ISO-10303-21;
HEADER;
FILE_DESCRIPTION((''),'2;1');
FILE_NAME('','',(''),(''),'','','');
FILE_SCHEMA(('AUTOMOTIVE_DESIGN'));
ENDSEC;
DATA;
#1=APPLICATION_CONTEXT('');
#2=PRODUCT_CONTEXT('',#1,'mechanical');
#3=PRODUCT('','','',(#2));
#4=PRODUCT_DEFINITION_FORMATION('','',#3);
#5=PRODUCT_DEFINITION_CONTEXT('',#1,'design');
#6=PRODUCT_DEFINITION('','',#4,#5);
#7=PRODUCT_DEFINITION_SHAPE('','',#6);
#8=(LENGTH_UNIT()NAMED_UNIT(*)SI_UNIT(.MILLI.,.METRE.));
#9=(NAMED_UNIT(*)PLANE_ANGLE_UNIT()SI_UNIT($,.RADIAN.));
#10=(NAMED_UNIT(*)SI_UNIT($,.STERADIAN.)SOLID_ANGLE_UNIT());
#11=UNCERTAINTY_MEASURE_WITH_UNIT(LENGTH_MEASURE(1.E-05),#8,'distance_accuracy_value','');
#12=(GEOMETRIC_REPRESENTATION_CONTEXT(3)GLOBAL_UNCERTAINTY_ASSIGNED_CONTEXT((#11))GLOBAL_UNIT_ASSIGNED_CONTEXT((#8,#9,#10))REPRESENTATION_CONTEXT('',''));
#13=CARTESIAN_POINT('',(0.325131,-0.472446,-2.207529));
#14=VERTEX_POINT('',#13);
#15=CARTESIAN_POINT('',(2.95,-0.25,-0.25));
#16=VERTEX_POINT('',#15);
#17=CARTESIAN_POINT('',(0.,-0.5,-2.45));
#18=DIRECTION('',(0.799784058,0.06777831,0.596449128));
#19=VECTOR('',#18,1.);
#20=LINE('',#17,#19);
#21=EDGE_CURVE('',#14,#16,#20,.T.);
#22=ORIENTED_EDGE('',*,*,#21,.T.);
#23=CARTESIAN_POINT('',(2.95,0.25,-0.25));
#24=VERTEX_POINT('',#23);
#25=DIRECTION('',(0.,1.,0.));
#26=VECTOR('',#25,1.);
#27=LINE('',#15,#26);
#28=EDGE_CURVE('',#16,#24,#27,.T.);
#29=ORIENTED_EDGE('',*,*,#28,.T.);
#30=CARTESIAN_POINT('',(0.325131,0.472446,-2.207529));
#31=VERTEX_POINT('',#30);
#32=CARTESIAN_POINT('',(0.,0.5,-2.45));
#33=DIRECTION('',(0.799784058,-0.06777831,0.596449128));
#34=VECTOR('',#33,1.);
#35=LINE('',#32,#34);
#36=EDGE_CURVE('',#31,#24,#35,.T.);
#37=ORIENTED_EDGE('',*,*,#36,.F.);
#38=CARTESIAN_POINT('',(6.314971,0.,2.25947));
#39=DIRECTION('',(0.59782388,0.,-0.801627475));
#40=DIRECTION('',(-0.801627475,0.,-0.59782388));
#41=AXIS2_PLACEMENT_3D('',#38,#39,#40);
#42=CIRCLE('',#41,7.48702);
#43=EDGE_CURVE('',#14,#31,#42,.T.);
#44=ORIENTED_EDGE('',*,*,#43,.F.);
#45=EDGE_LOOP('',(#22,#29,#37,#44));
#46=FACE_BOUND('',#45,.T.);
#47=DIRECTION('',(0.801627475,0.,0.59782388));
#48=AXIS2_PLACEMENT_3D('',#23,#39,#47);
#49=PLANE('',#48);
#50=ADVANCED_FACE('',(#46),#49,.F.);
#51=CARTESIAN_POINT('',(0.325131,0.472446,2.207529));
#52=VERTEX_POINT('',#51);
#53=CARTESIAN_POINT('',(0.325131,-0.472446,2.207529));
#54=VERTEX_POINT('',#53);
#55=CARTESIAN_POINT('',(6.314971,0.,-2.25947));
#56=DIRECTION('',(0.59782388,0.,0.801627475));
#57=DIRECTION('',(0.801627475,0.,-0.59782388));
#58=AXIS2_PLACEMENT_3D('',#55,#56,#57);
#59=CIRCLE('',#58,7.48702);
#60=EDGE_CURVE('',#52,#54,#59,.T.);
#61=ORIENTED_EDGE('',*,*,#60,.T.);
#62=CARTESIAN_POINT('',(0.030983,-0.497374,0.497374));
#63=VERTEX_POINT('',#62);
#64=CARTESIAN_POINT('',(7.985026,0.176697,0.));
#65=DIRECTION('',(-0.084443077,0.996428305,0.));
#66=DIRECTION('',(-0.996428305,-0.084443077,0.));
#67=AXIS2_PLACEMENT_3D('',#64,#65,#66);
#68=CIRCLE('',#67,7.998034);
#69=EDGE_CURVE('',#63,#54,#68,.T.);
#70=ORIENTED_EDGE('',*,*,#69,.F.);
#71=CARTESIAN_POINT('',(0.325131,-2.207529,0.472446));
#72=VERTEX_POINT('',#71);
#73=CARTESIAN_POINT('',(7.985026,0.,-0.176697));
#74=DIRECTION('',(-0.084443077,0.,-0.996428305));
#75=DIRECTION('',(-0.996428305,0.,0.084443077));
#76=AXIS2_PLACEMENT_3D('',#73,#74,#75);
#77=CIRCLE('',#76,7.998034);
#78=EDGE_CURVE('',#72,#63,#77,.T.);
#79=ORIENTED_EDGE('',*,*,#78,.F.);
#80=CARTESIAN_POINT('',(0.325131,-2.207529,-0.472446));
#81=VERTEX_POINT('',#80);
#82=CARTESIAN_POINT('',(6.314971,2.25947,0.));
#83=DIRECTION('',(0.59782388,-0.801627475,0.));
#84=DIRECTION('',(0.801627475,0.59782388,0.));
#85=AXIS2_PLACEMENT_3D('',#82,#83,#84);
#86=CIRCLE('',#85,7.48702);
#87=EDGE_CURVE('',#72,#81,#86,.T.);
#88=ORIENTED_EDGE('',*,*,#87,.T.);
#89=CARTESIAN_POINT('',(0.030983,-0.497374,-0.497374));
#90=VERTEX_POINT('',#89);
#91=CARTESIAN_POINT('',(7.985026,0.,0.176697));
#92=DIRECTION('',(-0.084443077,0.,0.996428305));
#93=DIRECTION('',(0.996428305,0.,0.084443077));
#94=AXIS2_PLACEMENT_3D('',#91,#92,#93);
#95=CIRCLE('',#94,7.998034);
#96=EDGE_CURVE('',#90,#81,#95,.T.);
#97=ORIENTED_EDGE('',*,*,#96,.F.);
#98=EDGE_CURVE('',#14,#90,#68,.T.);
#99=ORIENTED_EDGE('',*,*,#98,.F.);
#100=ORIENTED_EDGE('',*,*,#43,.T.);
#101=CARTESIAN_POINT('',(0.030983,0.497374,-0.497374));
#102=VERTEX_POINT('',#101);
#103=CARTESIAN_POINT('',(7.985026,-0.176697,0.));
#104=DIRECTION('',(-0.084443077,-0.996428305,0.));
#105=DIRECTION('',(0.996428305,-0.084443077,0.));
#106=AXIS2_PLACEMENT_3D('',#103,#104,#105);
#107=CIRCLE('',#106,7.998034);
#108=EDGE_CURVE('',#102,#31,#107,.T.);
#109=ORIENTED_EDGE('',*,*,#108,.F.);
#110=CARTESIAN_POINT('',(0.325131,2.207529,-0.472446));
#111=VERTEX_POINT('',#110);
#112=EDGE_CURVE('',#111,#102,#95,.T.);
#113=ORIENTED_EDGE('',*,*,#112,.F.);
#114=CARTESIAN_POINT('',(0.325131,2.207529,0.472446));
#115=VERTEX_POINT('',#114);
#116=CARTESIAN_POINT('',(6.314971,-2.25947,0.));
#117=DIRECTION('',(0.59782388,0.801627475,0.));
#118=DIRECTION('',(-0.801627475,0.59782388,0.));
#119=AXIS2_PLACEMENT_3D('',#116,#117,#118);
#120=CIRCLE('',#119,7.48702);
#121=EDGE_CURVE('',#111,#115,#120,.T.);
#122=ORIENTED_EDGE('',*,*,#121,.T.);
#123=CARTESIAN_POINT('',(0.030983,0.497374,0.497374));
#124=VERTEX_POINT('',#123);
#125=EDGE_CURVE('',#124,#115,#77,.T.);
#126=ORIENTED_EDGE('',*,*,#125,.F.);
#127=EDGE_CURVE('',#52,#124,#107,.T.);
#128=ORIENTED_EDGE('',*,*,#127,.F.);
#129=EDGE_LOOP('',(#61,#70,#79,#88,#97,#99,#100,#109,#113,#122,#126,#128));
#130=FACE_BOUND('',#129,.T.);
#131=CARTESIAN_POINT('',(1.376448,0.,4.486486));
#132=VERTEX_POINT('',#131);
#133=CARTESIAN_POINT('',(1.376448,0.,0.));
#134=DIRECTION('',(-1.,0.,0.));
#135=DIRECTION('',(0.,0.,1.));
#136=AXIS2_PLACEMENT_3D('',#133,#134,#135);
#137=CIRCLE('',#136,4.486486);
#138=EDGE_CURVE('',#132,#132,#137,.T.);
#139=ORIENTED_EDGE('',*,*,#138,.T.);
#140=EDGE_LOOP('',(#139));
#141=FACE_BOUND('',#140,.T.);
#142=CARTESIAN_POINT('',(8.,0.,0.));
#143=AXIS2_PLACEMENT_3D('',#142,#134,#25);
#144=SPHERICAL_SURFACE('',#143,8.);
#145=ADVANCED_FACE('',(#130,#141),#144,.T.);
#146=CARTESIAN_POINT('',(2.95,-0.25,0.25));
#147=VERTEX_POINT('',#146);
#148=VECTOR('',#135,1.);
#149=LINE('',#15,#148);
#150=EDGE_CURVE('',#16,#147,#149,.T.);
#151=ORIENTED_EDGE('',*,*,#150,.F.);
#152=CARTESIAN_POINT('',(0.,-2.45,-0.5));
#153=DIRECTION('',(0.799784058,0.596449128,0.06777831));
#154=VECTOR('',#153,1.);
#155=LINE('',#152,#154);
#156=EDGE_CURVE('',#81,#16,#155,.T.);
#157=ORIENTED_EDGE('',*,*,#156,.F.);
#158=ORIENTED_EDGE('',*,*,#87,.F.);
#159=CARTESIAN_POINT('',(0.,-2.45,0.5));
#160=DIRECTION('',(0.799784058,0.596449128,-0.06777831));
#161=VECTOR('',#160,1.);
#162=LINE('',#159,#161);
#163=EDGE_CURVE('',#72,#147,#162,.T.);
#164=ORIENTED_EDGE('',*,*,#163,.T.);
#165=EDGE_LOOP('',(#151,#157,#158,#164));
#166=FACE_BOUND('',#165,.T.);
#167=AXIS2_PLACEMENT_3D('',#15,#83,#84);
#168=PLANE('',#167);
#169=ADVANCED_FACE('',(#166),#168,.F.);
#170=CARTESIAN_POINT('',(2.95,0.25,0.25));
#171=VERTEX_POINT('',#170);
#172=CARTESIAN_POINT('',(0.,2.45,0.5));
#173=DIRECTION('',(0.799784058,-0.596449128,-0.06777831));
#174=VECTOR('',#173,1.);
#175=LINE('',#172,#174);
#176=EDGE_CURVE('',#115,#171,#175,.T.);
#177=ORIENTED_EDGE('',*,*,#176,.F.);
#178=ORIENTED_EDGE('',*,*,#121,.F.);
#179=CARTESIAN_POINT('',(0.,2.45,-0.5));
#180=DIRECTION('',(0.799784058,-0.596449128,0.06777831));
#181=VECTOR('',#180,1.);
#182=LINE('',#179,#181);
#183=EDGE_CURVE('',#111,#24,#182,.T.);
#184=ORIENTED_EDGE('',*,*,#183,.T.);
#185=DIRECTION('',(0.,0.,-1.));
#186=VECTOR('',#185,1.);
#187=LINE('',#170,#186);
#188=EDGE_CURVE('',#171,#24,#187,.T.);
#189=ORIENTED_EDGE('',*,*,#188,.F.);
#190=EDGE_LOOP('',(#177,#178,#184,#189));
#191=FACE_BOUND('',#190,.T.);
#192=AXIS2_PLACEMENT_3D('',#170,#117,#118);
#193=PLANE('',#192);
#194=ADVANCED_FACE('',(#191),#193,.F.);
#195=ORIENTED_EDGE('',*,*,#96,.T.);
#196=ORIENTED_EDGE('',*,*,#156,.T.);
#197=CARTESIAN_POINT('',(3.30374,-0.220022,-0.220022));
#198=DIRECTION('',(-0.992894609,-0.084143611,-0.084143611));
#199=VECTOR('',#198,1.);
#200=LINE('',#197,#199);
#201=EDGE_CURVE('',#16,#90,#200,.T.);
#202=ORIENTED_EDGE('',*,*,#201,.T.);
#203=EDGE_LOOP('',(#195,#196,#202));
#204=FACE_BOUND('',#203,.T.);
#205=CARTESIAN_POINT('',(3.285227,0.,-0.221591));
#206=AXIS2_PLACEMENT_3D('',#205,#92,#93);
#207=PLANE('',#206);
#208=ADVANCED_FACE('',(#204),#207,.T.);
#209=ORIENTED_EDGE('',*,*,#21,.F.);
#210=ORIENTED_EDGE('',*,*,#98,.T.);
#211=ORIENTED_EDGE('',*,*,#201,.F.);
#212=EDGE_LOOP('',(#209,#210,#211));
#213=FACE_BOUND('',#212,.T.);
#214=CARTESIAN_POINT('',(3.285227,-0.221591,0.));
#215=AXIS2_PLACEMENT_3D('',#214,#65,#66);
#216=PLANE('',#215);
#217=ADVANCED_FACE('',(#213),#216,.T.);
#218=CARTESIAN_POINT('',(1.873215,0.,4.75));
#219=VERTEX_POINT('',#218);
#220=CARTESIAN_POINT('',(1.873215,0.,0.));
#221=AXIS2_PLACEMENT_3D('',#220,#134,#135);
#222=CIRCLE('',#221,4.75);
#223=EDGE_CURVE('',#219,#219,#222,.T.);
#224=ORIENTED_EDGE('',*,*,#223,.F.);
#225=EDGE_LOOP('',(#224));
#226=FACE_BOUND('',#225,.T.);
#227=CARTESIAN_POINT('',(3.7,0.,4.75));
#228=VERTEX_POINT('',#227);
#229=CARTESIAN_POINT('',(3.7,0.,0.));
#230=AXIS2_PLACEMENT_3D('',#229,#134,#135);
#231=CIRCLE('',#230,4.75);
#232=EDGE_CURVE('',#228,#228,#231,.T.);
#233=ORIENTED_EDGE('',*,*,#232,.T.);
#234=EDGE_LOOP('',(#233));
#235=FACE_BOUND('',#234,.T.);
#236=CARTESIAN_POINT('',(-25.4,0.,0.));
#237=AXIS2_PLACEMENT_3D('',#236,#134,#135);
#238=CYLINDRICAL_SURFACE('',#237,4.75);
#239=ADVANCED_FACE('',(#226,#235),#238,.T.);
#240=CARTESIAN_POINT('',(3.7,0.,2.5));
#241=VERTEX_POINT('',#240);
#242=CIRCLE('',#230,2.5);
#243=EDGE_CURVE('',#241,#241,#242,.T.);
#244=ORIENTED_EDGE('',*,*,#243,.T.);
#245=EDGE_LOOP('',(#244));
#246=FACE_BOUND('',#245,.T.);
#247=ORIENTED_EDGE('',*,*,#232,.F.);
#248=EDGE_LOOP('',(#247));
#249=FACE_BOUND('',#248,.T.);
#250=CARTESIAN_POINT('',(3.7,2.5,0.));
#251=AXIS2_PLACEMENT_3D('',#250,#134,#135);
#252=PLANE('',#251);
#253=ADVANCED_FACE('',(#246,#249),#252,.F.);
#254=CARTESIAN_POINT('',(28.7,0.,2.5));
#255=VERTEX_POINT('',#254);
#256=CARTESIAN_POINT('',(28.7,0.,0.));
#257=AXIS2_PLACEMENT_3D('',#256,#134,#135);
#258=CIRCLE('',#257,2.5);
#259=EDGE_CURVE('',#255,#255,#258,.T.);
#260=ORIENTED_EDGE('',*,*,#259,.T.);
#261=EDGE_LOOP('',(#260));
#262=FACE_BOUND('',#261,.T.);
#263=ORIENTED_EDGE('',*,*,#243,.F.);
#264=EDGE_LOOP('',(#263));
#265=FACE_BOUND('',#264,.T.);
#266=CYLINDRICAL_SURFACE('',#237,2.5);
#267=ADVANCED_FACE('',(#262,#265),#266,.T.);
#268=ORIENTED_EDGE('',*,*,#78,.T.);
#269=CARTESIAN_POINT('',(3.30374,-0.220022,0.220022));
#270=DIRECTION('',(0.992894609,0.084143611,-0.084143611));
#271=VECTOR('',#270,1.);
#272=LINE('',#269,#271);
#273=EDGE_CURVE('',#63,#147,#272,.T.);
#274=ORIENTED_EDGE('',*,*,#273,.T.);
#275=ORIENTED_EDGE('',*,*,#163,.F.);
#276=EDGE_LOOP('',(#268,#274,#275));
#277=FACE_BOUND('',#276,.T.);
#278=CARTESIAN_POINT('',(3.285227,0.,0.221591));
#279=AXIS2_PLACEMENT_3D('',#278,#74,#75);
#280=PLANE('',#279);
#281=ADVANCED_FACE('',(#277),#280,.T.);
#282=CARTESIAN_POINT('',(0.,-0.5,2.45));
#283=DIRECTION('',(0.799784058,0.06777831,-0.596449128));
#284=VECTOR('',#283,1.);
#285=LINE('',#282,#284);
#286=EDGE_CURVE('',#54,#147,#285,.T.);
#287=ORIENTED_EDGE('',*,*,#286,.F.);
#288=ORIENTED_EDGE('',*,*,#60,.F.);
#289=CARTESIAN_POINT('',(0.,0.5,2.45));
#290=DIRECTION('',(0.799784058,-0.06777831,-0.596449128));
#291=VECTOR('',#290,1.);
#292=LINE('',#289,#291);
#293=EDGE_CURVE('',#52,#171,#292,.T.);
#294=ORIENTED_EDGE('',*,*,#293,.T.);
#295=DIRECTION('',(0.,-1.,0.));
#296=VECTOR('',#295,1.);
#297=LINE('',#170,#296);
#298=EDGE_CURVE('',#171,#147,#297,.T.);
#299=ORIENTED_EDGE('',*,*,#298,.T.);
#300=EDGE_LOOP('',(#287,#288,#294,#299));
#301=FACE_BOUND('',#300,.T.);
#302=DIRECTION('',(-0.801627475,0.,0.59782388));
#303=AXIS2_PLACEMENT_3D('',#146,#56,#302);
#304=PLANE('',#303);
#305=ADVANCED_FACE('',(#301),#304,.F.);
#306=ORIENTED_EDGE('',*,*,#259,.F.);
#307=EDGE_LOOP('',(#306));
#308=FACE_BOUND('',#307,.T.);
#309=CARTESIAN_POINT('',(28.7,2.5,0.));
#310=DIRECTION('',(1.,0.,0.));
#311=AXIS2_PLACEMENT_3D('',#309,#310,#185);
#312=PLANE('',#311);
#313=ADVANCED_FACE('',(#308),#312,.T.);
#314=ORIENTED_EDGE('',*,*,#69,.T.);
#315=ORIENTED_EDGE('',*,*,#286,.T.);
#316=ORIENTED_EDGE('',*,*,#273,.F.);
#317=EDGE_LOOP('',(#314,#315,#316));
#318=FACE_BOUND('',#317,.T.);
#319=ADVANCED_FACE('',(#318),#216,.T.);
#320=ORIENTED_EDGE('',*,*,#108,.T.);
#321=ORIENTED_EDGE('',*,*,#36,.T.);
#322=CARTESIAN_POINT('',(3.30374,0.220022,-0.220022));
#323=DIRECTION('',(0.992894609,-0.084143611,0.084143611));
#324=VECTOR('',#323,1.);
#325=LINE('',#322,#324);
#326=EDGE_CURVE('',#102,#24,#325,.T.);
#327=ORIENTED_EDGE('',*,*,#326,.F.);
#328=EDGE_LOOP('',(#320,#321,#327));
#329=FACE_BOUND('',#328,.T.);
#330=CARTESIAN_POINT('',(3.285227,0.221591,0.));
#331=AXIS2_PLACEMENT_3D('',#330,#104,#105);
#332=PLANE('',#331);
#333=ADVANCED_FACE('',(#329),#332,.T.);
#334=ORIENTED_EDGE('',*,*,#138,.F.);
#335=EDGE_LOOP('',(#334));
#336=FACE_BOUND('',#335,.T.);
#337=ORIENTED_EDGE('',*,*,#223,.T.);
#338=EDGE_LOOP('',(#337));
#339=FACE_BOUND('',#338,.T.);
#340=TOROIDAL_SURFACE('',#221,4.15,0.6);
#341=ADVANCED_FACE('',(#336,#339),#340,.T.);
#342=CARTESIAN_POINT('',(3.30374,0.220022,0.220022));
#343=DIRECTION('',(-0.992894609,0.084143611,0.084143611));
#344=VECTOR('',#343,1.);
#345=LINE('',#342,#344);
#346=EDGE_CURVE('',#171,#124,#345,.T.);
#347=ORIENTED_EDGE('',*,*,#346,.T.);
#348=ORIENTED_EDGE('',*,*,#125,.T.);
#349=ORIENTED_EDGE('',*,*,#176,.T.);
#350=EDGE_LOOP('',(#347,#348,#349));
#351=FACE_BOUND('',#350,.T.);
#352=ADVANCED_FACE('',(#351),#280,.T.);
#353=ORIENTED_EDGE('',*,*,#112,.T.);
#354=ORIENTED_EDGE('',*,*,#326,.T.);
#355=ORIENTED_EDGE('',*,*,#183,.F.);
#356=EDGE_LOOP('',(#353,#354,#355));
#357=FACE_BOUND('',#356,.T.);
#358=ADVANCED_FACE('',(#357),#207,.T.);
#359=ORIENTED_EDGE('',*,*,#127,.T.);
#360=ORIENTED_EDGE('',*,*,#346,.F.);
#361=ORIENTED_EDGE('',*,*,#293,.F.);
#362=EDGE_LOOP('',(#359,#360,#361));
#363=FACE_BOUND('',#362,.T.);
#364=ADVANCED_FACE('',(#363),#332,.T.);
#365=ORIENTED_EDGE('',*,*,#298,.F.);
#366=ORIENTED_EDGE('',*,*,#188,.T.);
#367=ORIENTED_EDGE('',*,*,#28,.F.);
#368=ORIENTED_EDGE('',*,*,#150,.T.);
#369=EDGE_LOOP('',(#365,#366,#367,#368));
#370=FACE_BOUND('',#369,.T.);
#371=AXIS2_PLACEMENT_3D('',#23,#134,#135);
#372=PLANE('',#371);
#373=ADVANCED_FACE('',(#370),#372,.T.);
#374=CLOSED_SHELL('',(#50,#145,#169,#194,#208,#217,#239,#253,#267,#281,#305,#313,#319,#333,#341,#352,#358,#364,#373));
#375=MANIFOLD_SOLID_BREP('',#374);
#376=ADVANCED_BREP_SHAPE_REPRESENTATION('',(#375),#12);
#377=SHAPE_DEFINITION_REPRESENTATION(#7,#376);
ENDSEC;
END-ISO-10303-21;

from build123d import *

# Parameters (mm, degrees)
CIRPATTERN1_COUNT = 2
CIRPATTERN1_ANGLE = 90


with BuildPart() as part:
    # BodySke → Base-Revolve (revolve)
    with BuildSketch(Plane.XY, mode=Mode.PRIVATE) as base_revolve_sk:
        with BuildLine():
            Line((3.7, 2.5), (3.7, 4.75))
            Line((3.7, 4.75), (1.873214546, 4.75))
            ThreePointArc((1.873214546, 4.75), (1.592049018, 4.680043343), (1.376448158, 4.486486486))
            ThreePointArc((1.376448158, 4.486486486), (0.351849415, 2.346442548), (0, 0))
            Line((0, 0), (28.7, 0))
            Line((28.7, 0), (28.7, 2.5))
            Line((28.7, 2.5), (3.7, 2.5))
        make_face()
    revolve(base_revolve_sk.sketch.rotate(Axis((-25.4, 0, 0), (1, 0, 0)), 90), axis=Axis((-25.4, 0, 0), (1, 0, 0)))

    # Sketch3 → Cut-Loft1 section 0
    with BuildSketch(Plane(origin=(0, 0, 0), x_dir=(0, 0, -1), z_dir=(1, 0, 0))):
        with BuildLine():
            Line((0.5, -2.45), (-0.5, -2.45))
            Line((-0.5, -2.45), (-0.5, 2.45))
            Line((-0.5, 2.45), (0.5, 2.45))
            Line((0.5, 2.45), (0.5, -2.45))
        make_face()
    # Sketch4 → Cut-Loft1 section 1
    with BuildSketch(Plane(origin=(2.95, 0, 0), x_dir=(0, 0, -1), z_dir=(1, 0, 0))):
        with BuildLine():
            Line((0.25, -0.25), (-0.25, -0.25))
            Line((-0.25, -0.25), (-0.25, 0.25))
            Line((-0.25, 0.25), (0.25, 0.25))
            Line((0.25, 0.25), (0.25, -0.25))
        make_face()
    cut_loft1 = loft(mode=Mode.SUBTRACT)

    # CirPattern1: Cut-Loft1 ×2 about axis
    cirpattern1_axis = Axis((0, 0, 0), (1, 0, 0))
    for i in range(1, CIRPATTERN1_COUNT):
        add(cut_loft1.rotate(cirpattern1_axis, i * CIRPATTERN1_ANGLE / (CIRPATTERN1_COUNT - 1)), mode=Mode.SUBTRACT)


solid = part.part
